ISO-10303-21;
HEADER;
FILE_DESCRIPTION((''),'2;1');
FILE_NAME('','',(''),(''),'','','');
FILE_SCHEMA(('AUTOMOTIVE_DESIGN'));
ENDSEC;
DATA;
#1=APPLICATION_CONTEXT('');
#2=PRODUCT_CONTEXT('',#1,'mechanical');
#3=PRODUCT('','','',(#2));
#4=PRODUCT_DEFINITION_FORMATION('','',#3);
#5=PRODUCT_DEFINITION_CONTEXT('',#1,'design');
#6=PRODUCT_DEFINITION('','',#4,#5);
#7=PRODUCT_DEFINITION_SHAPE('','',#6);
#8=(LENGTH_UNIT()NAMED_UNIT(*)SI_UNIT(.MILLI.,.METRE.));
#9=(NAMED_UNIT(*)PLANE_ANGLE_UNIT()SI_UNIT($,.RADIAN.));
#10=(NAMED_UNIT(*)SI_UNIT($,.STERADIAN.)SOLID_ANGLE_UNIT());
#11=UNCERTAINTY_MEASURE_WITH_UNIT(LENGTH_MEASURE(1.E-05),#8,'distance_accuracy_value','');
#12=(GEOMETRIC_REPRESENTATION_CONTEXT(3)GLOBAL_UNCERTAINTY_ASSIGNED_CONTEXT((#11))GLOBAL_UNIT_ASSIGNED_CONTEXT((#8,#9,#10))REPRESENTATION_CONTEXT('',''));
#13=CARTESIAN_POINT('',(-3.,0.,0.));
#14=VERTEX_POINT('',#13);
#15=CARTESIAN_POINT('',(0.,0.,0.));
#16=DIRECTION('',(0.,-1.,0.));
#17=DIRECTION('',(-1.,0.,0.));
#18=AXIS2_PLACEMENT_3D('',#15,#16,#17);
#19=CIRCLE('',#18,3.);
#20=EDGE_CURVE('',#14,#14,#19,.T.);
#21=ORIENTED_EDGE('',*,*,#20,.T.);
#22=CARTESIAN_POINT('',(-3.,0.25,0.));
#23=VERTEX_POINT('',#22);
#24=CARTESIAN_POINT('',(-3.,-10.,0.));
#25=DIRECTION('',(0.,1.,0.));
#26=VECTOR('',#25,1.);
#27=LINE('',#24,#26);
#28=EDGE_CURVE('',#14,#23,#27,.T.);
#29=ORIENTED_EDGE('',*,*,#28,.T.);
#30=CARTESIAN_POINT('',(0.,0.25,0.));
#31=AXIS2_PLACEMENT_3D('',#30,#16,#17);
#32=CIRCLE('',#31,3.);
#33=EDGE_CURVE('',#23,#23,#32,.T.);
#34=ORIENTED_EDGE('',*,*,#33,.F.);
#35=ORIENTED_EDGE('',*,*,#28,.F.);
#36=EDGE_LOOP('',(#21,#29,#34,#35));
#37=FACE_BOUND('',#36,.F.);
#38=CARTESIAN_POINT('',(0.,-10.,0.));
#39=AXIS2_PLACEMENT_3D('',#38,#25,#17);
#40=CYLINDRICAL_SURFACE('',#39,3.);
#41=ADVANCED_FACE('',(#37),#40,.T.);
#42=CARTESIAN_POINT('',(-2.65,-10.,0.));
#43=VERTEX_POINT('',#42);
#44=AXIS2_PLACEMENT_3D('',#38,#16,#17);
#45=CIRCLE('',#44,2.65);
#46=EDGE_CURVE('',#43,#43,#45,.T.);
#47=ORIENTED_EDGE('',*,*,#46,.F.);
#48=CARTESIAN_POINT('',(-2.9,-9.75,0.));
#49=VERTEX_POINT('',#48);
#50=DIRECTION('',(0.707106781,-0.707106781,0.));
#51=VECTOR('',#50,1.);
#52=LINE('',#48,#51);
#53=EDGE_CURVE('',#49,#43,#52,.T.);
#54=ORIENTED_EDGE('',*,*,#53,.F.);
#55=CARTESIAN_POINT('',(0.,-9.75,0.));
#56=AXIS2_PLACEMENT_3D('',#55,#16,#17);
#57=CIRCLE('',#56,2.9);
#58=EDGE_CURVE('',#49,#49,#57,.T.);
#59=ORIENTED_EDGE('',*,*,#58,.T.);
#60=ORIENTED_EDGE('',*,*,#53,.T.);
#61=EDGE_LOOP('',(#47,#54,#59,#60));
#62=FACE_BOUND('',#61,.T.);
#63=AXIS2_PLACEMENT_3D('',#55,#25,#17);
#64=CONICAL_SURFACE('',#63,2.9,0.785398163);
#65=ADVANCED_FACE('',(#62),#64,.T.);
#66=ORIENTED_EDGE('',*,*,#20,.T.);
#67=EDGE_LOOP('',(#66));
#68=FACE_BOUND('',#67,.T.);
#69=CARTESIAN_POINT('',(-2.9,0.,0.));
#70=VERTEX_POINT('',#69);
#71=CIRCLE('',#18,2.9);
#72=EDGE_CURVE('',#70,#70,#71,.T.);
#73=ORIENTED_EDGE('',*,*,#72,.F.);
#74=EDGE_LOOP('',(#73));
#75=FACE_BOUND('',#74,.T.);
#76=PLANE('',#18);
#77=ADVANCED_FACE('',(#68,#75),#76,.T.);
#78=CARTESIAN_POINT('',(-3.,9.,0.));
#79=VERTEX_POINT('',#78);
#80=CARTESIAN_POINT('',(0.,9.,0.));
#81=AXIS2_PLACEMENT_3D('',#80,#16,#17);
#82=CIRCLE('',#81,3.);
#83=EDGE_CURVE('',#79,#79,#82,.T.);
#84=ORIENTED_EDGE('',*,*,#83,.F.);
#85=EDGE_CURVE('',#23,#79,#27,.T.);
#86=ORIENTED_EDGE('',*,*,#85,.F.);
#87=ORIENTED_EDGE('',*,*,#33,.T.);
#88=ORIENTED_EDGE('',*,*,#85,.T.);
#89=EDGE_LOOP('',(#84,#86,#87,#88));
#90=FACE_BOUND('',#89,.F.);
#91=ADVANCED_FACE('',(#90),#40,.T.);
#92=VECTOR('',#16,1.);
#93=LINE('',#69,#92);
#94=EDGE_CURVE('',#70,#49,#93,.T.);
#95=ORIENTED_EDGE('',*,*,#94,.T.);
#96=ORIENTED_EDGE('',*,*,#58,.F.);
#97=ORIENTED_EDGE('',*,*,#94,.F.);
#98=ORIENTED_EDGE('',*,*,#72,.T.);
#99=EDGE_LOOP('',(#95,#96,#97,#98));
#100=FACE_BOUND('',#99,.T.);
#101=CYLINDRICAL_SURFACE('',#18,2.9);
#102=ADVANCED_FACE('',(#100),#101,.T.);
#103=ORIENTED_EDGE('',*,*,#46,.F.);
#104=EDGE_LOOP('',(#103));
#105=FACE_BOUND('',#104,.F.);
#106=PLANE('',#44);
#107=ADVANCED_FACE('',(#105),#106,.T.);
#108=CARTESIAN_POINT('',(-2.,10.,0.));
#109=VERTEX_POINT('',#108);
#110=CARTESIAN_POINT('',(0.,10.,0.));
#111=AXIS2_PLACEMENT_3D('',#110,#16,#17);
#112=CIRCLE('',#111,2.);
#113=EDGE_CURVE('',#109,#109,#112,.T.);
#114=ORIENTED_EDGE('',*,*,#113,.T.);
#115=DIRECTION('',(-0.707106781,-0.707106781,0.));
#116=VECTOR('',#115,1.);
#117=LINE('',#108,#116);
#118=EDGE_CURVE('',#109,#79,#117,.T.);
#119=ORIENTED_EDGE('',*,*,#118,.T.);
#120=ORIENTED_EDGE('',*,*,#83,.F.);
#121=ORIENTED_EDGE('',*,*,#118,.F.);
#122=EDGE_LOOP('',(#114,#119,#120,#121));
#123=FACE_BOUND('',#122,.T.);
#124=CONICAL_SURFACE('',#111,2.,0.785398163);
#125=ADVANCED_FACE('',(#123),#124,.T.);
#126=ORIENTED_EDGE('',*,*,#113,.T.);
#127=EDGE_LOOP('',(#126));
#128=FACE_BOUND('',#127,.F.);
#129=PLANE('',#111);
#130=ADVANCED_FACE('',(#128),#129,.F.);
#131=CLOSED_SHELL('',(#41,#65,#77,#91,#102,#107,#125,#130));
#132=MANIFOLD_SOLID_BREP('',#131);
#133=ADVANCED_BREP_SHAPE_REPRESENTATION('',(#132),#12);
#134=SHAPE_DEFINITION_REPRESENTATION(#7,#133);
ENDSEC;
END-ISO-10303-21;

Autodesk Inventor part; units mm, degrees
ref_plane "YZ Plane" through (0, 0, 0) normal (1, 0, 0) x (0, 1, 0)
ref_plane "XZ Plane" through (0, 0, 0) normal (0, 1, 0) x (-1, 0, 0)
ref_plane "XY Plane" through (0, 0, 0) normal (0, 0, 1) x (1, 0, 0)
sketch "Esboço1" plane through (0, 0, 0) normal (0, 0, 1) x (1, 0, 0)
  line L0 (-3.6, 0) -> (0.6, 0) construction
  line L1 (0, -14) -> (0, 14) construction
  line L2 (-3, 10) -> (0, 10)
  line L3 (0, 10) -> (0, -10)
  line L4 (0, -10) -> (-3, -10)
  line L5 (-3, -10) -> (-3, 10)
  line L6 (-3, 0) -> (-2.9, 0)
  line L7 (-2.9, 0) -> (-2.9, -10)
  line L8 (-2, 10) -> (-3, 9)
  line L9 (-2.9, -9.75) -> (-2.65, -10)
  line L10 (-3, 0.25) -> (-2.9, 0.15)
  point P0 (0, 0)
  point P1 (-2.75, 0)
  dimension "d0" = 6
  dimension "d1" = 5.8
  dimension "d2" = 10
  dimension "d3" = 20
  dimension "d4" = 1
  dimension "d5" = 1
  dimension "d6" = 0.25
  dimension "d7" = 0.25
  dimension "d8" = 45
  dimension "d12" = 0.25
revolve "Revolução1" add sketch "Esboço1" angle 360 about axis through (0, 10, 0) along (0, -1, 0) contours L2 L3 L4 L9 L7 L6 L5 L8
thread "Rosca1" size "M6x1" class "6g" standard "ISO Metric profile" full length
equation "\"d6\" = d7"
properties part number "GRJ-03-118" material "Aço SAE 1045"
